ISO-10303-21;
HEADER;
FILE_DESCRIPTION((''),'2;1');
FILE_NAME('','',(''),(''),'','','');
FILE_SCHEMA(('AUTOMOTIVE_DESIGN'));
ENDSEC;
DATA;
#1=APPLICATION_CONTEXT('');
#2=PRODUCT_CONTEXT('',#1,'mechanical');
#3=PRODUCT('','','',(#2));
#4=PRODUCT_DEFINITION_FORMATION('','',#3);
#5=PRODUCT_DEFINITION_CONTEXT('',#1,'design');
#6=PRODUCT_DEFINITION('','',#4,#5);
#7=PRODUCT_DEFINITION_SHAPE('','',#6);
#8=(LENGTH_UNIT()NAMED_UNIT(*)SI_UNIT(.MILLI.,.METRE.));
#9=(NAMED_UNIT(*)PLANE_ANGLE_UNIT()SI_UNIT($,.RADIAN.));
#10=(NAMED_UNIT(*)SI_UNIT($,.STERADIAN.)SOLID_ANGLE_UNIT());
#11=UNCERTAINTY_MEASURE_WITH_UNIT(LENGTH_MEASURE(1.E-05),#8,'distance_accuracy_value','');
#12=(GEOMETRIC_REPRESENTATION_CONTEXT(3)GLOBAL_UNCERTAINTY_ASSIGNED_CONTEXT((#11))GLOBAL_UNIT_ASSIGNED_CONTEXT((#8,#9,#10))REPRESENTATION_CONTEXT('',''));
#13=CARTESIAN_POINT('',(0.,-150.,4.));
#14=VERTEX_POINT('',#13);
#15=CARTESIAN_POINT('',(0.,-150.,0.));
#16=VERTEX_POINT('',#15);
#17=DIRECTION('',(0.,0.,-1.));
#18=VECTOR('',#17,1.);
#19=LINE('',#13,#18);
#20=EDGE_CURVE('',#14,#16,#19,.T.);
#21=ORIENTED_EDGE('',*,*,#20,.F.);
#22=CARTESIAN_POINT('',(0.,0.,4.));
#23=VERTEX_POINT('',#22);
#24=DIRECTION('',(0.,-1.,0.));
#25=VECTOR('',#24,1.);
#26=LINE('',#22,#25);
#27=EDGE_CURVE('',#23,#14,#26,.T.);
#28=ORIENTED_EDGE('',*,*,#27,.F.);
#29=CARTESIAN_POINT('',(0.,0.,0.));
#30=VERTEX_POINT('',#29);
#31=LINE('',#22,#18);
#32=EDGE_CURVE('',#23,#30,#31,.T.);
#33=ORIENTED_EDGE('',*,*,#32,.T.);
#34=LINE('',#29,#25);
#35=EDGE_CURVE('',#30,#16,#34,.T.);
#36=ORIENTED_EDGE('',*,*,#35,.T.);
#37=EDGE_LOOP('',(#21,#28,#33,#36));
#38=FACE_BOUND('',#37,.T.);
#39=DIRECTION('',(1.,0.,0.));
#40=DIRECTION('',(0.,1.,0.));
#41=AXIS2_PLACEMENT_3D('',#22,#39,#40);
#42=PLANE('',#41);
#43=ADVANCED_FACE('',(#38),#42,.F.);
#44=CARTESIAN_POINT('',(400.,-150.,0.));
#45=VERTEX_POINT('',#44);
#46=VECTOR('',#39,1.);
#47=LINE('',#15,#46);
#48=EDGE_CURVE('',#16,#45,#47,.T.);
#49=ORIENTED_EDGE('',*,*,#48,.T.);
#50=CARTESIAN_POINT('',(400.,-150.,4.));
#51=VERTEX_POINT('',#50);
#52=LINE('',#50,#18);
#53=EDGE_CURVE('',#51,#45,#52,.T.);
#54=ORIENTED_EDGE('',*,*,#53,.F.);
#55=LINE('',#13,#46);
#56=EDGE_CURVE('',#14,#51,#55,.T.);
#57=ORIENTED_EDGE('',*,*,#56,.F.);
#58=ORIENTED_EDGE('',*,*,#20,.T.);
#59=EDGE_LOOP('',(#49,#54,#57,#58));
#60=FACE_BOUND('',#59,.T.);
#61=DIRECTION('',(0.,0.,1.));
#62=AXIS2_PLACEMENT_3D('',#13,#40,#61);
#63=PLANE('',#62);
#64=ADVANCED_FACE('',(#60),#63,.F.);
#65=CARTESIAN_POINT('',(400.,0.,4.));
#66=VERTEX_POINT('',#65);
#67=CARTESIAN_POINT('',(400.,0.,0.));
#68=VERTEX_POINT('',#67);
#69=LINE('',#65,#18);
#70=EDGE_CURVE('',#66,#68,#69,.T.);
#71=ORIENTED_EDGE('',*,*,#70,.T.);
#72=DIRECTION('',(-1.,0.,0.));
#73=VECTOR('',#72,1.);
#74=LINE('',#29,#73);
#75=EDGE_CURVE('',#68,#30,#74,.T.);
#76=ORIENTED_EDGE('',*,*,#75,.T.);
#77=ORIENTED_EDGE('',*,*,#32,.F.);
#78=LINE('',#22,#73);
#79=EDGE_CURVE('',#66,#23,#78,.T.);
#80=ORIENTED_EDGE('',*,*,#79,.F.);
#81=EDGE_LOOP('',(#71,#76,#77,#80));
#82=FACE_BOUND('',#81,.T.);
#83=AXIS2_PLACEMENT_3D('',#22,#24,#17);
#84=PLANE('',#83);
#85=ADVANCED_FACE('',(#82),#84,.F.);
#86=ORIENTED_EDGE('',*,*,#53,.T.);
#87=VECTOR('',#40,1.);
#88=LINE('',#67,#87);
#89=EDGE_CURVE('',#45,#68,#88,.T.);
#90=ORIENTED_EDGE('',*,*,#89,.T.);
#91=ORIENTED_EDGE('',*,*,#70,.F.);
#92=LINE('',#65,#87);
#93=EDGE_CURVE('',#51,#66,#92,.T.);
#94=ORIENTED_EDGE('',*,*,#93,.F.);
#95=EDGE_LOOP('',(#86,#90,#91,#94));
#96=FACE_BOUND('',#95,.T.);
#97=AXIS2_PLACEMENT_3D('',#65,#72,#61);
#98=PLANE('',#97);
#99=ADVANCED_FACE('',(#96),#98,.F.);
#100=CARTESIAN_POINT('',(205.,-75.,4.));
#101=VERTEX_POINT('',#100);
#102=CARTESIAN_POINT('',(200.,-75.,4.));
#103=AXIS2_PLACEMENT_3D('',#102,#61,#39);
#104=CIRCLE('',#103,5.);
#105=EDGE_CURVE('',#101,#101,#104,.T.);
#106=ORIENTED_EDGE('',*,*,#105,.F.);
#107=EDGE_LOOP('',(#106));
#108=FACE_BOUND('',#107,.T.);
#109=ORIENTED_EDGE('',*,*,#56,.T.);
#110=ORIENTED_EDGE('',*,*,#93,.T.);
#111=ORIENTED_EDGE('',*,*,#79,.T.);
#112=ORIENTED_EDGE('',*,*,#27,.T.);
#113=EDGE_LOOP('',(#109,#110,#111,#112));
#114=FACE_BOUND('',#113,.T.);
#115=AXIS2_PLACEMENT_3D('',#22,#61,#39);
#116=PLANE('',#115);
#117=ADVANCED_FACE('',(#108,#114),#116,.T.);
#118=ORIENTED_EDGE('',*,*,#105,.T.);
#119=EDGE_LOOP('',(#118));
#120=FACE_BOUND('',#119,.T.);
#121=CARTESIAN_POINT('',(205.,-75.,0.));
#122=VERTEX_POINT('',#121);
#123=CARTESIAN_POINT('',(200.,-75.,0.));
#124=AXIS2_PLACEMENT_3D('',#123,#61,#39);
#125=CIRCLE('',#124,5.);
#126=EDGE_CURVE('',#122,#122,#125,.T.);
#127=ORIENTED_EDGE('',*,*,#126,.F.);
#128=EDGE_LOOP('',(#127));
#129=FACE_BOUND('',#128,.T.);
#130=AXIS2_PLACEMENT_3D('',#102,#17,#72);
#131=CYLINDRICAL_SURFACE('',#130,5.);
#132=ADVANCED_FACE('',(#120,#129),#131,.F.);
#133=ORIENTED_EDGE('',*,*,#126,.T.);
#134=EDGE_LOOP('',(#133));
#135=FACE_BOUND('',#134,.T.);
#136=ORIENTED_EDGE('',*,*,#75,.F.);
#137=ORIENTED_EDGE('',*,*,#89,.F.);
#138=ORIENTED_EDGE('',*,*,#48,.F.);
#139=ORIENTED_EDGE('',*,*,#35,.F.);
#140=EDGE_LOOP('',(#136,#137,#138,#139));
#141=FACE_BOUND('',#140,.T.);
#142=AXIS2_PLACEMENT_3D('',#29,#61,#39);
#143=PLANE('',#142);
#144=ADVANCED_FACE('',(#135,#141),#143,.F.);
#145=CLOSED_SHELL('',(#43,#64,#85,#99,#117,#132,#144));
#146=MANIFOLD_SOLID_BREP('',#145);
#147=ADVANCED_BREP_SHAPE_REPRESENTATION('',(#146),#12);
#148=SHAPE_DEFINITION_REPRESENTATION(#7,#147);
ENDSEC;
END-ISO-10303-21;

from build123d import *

# Parameters (mm, degrees)
SKETCH1_W           = 400
SKETCH1_H           = 150
SKETCH1_R           = 5
BOSS_EXTRUDE1_DEPTH = 4


with BuildPart() as part:
    # Sketch1 → Boss-Extrude1 (new body)
    with BuildSketch(Plane.XY):
        with Locations((200, -75)):
            Rectangle(SKETCH1_W, SKETCH1_H)
        with Locations((200, -75)):
            Circle(SKETCH1_R, mode=Mode.SUBTRACT)
    extrude(amount=BOSS_EXTRUDE1_DEPTH)


solid = part.part
